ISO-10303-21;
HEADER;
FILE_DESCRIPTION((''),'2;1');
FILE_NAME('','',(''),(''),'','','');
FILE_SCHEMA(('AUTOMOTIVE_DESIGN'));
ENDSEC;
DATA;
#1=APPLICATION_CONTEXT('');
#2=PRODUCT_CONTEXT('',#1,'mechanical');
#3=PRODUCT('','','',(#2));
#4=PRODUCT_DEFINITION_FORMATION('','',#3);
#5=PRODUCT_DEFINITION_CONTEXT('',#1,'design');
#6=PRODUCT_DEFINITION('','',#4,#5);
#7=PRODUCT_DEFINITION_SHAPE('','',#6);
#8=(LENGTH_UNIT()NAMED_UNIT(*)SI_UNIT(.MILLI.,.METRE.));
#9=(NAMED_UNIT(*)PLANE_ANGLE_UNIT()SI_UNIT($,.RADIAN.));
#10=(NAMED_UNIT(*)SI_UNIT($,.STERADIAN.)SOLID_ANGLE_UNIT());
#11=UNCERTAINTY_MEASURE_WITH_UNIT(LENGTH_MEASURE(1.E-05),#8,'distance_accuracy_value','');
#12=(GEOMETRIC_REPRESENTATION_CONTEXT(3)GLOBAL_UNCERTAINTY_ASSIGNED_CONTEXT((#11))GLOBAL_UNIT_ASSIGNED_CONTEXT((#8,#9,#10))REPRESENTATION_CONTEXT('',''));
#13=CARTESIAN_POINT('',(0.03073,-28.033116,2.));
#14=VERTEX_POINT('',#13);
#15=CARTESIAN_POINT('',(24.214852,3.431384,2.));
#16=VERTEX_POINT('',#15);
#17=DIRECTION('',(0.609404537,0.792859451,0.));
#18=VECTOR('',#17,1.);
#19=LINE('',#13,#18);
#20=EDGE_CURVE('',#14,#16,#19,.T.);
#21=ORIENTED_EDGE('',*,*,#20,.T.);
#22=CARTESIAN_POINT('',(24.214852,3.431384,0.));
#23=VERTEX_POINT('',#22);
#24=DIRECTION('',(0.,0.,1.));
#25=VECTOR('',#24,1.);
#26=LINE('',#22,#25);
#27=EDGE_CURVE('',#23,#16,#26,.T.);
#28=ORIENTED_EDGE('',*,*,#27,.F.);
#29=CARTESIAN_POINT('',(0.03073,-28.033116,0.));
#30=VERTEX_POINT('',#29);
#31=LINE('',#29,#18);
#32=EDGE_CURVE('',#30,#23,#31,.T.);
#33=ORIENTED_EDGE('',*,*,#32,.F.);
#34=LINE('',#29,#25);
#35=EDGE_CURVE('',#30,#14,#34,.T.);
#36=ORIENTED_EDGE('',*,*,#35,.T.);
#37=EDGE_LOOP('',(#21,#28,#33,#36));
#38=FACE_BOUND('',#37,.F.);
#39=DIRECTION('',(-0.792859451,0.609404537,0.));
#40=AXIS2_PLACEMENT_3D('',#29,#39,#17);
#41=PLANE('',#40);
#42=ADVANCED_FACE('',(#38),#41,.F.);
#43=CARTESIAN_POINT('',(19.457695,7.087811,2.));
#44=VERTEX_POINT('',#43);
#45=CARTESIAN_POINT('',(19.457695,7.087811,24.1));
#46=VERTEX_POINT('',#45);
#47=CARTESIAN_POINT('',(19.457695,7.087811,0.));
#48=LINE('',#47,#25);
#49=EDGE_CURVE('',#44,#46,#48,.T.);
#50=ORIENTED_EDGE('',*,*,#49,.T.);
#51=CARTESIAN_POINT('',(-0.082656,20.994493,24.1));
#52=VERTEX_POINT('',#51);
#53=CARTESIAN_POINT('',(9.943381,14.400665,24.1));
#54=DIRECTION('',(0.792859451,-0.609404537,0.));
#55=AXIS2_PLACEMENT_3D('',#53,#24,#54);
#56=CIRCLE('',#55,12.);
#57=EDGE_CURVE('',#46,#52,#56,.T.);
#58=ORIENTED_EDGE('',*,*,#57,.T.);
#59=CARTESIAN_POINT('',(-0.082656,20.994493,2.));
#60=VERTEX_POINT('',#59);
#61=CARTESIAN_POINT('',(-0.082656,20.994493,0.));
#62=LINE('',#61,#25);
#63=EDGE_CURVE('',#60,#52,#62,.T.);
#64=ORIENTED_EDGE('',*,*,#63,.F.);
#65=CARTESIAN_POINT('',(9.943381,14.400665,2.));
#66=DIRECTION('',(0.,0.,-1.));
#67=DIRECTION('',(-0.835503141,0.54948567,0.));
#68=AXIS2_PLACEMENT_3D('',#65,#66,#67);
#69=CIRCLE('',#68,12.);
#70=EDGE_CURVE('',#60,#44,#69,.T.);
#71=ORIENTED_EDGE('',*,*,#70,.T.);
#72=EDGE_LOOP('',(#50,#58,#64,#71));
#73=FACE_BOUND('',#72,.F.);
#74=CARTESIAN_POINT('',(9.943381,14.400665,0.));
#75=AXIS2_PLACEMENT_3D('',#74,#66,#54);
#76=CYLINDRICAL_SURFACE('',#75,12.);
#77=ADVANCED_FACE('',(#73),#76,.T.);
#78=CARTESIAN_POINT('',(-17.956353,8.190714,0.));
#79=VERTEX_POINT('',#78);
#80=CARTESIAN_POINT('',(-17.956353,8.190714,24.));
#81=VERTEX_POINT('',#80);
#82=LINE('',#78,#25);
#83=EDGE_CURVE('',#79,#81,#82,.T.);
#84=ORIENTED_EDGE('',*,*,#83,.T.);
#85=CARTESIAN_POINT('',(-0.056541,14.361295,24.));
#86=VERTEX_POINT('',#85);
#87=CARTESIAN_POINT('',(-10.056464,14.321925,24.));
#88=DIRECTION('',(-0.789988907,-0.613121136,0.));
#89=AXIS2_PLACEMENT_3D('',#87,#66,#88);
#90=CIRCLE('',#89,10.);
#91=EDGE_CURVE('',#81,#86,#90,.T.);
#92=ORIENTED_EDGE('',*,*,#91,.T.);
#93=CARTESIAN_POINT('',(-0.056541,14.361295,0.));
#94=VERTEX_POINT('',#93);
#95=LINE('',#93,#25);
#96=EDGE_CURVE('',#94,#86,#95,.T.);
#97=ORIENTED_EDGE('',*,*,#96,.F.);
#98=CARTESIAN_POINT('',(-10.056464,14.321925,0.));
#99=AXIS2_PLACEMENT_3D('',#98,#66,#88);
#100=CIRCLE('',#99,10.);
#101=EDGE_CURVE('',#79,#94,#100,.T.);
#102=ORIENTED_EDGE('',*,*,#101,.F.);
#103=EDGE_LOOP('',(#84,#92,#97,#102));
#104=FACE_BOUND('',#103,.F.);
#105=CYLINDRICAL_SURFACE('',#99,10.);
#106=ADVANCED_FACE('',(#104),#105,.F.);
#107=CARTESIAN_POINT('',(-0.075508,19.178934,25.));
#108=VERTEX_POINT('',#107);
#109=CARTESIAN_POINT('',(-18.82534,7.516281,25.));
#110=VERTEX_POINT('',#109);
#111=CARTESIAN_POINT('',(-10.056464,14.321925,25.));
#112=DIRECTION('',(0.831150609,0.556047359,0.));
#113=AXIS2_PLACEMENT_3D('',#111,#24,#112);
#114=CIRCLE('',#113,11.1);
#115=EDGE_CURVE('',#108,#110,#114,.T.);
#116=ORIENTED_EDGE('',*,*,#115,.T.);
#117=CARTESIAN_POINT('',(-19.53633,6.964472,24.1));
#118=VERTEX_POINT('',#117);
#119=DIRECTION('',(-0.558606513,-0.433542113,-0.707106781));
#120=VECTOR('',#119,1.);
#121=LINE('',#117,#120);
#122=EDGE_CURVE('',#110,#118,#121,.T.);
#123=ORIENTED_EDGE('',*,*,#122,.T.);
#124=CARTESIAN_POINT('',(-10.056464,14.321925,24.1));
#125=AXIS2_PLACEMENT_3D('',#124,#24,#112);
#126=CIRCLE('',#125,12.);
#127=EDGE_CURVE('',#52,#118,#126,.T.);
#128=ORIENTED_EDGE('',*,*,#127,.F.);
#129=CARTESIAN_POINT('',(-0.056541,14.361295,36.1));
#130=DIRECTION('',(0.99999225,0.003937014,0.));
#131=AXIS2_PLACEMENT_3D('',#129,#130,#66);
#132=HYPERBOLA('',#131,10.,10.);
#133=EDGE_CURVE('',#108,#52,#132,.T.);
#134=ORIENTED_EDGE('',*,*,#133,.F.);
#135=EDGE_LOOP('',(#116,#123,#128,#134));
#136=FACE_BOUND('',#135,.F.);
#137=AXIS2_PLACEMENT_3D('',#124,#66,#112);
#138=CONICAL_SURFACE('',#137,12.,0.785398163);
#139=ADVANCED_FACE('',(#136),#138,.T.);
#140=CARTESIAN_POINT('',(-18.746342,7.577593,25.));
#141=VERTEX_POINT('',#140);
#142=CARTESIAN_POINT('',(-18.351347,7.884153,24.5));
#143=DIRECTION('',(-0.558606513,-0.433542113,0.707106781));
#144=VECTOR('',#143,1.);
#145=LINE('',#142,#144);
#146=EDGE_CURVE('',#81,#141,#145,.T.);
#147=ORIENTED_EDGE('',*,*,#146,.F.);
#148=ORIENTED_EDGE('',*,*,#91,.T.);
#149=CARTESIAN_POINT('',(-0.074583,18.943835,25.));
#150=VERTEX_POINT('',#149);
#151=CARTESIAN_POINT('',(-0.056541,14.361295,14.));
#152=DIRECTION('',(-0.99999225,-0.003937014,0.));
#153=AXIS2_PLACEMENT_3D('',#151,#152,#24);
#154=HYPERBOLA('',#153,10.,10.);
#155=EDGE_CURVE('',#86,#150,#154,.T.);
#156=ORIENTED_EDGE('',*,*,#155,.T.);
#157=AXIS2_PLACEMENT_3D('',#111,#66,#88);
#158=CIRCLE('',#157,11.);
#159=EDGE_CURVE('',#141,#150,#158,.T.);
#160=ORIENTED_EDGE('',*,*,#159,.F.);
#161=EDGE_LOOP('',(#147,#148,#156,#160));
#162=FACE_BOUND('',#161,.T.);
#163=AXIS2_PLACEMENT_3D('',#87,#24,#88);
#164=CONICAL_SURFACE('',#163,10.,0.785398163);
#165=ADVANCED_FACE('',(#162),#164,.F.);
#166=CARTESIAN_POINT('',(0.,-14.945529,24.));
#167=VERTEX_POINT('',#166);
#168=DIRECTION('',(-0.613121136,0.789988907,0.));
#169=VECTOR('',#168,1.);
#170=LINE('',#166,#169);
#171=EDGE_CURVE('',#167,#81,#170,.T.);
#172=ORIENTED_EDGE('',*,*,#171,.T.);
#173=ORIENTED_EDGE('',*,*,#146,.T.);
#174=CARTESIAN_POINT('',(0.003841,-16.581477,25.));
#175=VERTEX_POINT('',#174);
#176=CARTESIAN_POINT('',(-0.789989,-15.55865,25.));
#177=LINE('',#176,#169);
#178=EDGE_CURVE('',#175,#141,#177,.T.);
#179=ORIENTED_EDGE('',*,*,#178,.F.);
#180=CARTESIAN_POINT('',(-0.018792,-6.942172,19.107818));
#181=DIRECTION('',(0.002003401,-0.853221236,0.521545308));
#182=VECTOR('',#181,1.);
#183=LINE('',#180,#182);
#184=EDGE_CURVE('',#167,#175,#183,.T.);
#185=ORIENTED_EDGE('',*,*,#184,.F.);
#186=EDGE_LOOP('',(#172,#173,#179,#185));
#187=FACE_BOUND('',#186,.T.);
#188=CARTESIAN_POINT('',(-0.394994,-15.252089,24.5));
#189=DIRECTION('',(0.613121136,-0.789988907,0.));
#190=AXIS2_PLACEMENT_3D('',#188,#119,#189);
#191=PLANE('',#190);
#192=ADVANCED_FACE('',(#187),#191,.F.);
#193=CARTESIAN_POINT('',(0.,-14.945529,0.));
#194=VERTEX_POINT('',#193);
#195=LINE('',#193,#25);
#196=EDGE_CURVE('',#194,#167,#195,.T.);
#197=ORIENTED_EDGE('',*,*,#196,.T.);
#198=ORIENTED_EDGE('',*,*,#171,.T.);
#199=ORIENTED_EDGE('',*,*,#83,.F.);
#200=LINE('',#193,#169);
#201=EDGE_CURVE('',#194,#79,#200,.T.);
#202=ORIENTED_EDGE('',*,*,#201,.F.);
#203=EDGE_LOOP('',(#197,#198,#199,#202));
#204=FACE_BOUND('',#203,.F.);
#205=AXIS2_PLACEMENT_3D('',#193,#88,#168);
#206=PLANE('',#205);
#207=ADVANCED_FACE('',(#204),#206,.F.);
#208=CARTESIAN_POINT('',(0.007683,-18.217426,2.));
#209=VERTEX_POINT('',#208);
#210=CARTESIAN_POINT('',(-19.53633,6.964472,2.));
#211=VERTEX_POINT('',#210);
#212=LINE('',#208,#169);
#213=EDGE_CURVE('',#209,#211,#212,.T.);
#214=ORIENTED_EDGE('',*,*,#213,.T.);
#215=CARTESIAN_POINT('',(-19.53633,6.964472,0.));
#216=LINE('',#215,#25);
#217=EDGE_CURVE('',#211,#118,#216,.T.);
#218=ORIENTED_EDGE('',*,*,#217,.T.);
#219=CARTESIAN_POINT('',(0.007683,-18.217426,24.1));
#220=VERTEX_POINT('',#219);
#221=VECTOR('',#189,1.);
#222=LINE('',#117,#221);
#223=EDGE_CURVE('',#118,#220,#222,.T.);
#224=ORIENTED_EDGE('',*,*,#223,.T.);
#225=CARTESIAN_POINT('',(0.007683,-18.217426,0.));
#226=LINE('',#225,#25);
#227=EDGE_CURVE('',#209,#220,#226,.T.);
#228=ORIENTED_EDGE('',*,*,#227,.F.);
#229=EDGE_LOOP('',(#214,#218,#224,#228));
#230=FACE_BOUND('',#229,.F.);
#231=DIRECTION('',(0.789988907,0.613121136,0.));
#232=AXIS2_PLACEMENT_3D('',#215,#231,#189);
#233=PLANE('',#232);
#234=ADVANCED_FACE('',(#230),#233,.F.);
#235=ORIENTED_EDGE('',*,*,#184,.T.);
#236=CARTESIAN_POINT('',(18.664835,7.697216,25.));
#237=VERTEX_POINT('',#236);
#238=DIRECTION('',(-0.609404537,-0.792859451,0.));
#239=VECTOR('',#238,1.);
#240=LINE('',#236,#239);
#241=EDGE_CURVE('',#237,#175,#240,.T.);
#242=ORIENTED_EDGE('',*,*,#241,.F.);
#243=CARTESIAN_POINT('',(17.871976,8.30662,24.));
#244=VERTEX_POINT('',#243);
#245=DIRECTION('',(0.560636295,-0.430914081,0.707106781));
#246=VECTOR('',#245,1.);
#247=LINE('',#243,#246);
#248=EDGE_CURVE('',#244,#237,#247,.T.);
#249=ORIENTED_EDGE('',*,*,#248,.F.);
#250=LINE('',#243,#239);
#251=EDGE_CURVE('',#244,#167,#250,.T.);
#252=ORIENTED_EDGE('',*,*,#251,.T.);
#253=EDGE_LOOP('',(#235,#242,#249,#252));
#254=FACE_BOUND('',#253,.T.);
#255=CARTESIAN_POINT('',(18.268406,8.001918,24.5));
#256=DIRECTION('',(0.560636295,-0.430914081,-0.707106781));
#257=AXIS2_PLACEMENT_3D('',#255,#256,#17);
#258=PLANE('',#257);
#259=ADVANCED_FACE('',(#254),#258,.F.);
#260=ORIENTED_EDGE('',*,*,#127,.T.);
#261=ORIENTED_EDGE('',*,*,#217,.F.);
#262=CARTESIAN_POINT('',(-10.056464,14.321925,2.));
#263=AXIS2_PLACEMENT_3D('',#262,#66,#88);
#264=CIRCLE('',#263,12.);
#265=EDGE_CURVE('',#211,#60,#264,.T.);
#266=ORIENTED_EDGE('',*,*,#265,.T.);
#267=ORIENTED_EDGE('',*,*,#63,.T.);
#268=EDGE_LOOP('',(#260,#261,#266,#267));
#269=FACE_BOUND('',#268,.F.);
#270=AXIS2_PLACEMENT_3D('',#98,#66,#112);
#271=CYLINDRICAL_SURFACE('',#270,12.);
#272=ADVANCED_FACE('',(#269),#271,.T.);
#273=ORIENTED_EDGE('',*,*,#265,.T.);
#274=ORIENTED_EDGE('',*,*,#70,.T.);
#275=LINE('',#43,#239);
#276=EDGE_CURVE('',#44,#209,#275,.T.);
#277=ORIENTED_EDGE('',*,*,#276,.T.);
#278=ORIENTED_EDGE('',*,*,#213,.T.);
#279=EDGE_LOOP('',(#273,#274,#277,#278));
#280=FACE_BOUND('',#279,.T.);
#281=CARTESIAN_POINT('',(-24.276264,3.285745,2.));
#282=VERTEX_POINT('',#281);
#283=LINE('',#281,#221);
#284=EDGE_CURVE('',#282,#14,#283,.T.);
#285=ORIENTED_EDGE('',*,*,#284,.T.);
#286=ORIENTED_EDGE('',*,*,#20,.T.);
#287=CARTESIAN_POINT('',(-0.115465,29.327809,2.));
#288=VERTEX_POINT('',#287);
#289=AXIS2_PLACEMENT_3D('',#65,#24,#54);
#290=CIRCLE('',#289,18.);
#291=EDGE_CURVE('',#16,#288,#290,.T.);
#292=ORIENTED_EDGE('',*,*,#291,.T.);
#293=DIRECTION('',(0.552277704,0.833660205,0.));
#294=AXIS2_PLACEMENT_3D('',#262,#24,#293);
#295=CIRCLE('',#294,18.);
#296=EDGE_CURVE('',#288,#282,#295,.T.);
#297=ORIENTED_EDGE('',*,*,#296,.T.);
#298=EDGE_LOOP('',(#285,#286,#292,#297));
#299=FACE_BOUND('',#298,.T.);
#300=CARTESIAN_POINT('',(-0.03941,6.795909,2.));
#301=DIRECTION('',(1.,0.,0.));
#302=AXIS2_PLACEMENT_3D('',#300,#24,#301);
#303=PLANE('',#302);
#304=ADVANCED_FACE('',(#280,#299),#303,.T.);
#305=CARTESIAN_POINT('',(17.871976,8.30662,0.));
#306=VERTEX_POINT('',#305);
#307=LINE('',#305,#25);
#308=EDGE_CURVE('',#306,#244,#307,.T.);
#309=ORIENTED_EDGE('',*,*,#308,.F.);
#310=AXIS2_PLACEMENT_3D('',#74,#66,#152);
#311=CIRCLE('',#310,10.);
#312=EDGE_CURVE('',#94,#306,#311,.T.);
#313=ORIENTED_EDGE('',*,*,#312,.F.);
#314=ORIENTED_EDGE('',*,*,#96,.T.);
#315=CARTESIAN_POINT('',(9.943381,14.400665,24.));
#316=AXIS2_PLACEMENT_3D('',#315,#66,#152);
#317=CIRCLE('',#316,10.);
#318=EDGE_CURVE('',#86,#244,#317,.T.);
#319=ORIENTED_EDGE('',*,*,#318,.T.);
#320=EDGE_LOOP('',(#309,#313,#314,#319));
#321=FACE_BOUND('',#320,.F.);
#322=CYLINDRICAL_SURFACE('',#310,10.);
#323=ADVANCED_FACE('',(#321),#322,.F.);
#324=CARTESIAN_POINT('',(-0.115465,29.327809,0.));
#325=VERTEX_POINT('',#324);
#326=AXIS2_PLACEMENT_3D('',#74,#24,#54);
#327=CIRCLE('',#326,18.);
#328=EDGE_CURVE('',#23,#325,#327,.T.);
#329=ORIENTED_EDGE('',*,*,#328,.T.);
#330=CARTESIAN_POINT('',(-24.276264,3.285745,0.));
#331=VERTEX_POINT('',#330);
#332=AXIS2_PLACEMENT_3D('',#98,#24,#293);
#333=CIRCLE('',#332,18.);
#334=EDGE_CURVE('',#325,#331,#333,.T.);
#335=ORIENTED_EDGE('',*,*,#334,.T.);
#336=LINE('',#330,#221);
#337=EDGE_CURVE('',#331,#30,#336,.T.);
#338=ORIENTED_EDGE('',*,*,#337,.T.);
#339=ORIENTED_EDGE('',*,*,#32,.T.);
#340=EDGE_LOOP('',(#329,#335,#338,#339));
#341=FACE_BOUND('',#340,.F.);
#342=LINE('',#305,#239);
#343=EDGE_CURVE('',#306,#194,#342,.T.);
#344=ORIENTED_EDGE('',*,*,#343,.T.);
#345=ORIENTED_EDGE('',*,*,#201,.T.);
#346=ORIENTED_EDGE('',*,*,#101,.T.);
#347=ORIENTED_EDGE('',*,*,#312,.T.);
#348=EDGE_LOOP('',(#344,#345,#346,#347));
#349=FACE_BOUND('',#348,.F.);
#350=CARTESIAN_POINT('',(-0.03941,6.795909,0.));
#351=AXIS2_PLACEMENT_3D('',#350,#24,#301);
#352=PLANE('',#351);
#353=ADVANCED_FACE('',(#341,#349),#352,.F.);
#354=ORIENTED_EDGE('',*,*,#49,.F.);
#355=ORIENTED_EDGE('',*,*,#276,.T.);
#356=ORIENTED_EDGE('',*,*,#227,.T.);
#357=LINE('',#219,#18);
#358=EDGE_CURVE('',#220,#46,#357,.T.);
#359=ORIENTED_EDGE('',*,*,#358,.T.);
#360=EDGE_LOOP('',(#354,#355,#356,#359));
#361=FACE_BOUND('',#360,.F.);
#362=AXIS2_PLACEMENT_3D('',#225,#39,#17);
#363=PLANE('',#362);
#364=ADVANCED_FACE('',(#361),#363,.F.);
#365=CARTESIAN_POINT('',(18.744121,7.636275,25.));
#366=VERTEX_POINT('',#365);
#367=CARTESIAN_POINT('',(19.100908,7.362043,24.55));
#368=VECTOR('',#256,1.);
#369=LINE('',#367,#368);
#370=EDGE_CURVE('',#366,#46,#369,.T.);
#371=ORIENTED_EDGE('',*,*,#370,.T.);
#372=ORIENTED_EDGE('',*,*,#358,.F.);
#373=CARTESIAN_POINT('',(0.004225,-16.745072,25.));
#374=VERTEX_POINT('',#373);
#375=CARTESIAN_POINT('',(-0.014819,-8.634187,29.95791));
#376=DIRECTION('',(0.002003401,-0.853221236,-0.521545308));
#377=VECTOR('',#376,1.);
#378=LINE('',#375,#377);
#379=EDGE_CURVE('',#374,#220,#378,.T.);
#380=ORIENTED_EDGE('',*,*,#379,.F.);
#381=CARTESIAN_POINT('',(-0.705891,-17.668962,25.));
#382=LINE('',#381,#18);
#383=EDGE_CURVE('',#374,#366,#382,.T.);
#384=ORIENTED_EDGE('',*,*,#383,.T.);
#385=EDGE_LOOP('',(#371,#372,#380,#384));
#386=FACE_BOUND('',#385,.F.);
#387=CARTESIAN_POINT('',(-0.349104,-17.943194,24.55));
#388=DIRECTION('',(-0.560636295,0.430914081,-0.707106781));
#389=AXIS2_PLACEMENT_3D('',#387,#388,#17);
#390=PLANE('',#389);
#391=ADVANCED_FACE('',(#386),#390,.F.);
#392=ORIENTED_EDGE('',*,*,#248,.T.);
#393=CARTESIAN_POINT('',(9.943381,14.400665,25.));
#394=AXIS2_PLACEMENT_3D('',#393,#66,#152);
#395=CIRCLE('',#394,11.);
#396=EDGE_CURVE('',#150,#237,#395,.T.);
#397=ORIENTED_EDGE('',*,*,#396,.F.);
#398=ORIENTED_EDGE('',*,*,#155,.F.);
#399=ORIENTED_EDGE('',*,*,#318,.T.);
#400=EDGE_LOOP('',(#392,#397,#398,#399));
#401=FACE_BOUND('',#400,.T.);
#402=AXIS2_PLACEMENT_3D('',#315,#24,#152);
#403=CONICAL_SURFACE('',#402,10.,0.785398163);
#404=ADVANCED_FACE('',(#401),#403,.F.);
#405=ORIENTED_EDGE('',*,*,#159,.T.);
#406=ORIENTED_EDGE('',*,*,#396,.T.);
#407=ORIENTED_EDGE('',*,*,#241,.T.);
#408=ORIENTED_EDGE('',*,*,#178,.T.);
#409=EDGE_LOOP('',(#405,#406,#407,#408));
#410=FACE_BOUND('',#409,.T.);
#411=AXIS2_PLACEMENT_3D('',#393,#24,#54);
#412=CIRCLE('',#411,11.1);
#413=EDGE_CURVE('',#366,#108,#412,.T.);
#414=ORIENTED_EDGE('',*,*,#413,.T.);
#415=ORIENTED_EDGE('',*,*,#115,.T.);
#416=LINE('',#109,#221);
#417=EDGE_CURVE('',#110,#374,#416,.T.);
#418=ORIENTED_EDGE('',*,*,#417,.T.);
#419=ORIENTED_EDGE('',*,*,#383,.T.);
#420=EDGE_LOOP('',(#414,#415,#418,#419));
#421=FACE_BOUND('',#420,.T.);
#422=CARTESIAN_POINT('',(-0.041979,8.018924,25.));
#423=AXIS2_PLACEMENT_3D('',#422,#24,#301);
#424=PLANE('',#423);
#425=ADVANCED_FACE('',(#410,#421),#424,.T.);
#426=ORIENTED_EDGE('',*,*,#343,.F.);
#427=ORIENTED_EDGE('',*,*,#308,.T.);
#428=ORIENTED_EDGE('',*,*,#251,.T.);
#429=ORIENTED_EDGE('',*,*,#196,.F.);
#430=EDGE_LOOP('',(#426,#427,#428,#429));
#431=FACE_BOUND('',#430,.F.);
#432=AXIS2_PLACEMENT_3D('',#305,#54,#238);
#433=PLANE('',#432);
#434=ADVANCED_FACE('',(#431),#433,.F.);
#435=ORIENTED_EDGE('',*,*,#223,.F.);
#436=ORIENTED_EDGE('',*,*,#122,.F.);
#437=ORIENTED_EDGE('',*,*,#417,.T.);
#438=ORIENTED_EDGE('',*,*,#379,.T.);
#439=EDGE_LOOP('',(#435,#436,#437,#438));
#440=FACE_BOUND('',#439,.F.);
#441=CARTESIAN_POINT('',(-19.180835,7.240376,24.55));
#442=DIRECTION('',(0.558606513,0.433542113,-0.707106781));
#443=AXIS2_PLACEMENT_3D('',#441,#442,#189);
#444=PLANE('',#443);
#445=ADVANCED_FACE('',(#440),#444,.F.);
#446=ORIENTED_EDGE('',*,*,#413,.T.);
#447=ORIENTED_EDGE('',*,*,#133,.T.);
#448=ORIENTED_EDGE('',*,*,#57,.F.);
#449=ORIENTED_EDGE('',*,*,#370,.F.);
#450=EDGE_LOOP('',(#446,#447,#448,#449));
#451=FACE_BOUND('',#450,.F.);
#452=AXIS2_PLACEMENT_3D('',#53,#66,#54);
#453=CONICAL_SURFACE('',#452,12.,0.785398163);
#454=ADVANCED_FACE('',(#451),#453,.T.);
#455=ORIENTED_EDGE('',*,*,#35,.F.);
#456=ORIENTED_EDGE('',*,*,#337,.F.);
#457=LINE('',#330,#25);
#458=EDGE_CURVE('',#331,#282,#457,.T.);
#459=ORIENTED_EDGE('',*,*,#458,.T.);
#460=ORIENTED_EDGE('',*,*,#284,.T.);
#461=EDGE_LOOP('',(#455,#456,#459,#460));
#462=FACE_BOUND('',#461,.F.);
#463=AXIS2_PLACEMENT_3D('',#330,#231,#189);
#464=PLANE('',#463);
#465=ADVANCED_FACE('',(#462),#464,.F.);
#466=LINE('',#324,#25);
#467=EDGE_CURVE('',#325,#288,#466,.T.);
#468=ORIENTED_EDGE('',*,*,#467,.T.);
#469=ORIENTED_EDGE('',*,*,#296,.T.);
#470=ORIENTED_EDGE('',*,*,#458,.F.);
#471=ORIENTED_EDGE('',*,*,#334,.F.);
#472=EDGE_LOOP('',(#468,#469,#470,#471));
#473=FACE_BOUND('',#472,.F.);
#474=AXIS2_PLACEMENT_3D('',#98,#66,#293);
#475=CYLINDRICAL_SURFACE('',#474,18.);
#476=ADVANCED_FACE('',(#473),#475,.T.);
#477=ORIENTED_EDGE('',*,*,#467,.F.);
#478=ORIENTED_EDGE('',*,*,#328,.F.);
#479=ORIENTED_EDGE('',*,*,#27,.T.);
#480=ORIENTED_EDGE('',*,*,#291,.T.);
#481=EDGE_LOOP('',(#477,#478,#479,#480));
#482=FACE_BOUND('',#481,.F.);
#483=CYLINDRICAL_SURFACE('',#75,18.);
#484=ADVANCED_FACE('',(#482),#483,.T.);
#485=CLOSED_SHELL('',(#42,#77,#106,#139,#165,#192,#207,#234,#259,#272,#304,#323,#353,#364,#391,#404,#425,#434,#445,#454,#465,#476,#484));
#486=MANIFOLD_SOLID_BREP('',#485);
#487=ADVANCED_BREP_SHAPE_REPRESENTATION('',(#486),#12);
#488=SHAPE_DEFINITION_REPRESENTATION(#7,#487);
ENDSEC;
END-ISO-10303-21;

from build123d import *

# Parameters (mm, degrees)
F1_DEPTH = 25
F2_SIZE  = 1
F3_SIZE  = 0.9
F4_DEPTH = 2


with BuildPart() as f1:
    # F0 (on Top) → F1 (new body)
    with BuildSketch(Plane.XY):
        with BuildLine():
            ThreePointArc((19.4576948641, 7.0878110017), (16.9014285769, 24.177453273), (-0.0826562467, 20.994493487))
            ThreePointArc((-0.0826562467, 20.994493487), (-17.0758205861, 24.0547884178), (-19.5363304351, 6.9644715509))
            Line((-19.5363304351, 6.9644715509), (0.0076825592, -18.2174257356))
            Line((0.0076825592, -18.2174257356), (19.4576948641, 7.0878110017))
        make_face()
        with BuildLine():
            Line((17.8719759612, 8.3066200764), (0, -14.9455288462))
            Line((0, -14.9455288462), (-17.9563526213, 8.1907138222))
            ThreePointArc((-17.9563526213, 8.1907138222), (-13.3155361336, 23.7759426267), (-0.056541053, 14.3612953145))
            ThreePointArc((-0.056541053, 14.3612953145), (13.1429709457, 23.8749795171), (17.8719759612, 8.3066200764))
        make_face(mode=Mode.SUBTRACT)
    extrude(amount=F1_DEPTH)

    # F2
    f2_edges = [f1.edges().sort_by_distance(p)[0] for p in [
        (-8.978176, -3.377408, 25),
        (8.935988, -3.319454, 25),
        (13.142971, 23.87498, 25),
        (-13.315536, 23.775943, 25),
    ]]
    chamfer(f2_edges, length=F2_SIZE)

    # F3
    f3_edges = [f1.edges().sort_by_distance(p)[0] for p in [
        (-9.764324, -5.626477, 25),
        (-17.075821, 24.054788, 25),
        (16.901429, 24.177453, 25),
        (9.732689, -5.564807, 25),
    ]]
    chamfer(f3_edges, length=F3_SIZE)

    # F0 (on Top) → F4 (join)
    with BuildSketch(Plane.XY):
        with BuildLine():
            Line((0.0307302369, -28.033116404), (24.214851573, 3.4313837773))
            ThreePointArc((24.214851573, 3.4313837773), (23.0617943824, 26.7257310501), (-0.1154648769, 29.3278088692))
            ThreePointArc((-0.1154648769, 29.3278088692), (-23.2520807017, 26.5642978264), (-24.2762638766, 3.285744737))
            Line((-24.2762638766, 3.285744737), (0.0307302369, -28.033116404))
        make_face()
        with BuildLine():
            ThreePointArc((-19.5363304351, 6.9644715509), (-17.0758205861, 24.0547884178), (-0.0826562467, 20.994493487))
            ThreePointArc((-0.0826562467, 20.994493487), (16.9014285769, 24.177453273), (19.4576948641, 7.0878110017))
            Line((19.4576948641, 7.0878110017), (0.0076825592, -18.2174257356))
            Line((0.0076825592, -18.2174257356), (-19.5363304351, 6.9644715509))
        make_face(mode=Mode.SUBTRACT)
    extrude(amount=F4_DEPTH)


solid = f1.part
